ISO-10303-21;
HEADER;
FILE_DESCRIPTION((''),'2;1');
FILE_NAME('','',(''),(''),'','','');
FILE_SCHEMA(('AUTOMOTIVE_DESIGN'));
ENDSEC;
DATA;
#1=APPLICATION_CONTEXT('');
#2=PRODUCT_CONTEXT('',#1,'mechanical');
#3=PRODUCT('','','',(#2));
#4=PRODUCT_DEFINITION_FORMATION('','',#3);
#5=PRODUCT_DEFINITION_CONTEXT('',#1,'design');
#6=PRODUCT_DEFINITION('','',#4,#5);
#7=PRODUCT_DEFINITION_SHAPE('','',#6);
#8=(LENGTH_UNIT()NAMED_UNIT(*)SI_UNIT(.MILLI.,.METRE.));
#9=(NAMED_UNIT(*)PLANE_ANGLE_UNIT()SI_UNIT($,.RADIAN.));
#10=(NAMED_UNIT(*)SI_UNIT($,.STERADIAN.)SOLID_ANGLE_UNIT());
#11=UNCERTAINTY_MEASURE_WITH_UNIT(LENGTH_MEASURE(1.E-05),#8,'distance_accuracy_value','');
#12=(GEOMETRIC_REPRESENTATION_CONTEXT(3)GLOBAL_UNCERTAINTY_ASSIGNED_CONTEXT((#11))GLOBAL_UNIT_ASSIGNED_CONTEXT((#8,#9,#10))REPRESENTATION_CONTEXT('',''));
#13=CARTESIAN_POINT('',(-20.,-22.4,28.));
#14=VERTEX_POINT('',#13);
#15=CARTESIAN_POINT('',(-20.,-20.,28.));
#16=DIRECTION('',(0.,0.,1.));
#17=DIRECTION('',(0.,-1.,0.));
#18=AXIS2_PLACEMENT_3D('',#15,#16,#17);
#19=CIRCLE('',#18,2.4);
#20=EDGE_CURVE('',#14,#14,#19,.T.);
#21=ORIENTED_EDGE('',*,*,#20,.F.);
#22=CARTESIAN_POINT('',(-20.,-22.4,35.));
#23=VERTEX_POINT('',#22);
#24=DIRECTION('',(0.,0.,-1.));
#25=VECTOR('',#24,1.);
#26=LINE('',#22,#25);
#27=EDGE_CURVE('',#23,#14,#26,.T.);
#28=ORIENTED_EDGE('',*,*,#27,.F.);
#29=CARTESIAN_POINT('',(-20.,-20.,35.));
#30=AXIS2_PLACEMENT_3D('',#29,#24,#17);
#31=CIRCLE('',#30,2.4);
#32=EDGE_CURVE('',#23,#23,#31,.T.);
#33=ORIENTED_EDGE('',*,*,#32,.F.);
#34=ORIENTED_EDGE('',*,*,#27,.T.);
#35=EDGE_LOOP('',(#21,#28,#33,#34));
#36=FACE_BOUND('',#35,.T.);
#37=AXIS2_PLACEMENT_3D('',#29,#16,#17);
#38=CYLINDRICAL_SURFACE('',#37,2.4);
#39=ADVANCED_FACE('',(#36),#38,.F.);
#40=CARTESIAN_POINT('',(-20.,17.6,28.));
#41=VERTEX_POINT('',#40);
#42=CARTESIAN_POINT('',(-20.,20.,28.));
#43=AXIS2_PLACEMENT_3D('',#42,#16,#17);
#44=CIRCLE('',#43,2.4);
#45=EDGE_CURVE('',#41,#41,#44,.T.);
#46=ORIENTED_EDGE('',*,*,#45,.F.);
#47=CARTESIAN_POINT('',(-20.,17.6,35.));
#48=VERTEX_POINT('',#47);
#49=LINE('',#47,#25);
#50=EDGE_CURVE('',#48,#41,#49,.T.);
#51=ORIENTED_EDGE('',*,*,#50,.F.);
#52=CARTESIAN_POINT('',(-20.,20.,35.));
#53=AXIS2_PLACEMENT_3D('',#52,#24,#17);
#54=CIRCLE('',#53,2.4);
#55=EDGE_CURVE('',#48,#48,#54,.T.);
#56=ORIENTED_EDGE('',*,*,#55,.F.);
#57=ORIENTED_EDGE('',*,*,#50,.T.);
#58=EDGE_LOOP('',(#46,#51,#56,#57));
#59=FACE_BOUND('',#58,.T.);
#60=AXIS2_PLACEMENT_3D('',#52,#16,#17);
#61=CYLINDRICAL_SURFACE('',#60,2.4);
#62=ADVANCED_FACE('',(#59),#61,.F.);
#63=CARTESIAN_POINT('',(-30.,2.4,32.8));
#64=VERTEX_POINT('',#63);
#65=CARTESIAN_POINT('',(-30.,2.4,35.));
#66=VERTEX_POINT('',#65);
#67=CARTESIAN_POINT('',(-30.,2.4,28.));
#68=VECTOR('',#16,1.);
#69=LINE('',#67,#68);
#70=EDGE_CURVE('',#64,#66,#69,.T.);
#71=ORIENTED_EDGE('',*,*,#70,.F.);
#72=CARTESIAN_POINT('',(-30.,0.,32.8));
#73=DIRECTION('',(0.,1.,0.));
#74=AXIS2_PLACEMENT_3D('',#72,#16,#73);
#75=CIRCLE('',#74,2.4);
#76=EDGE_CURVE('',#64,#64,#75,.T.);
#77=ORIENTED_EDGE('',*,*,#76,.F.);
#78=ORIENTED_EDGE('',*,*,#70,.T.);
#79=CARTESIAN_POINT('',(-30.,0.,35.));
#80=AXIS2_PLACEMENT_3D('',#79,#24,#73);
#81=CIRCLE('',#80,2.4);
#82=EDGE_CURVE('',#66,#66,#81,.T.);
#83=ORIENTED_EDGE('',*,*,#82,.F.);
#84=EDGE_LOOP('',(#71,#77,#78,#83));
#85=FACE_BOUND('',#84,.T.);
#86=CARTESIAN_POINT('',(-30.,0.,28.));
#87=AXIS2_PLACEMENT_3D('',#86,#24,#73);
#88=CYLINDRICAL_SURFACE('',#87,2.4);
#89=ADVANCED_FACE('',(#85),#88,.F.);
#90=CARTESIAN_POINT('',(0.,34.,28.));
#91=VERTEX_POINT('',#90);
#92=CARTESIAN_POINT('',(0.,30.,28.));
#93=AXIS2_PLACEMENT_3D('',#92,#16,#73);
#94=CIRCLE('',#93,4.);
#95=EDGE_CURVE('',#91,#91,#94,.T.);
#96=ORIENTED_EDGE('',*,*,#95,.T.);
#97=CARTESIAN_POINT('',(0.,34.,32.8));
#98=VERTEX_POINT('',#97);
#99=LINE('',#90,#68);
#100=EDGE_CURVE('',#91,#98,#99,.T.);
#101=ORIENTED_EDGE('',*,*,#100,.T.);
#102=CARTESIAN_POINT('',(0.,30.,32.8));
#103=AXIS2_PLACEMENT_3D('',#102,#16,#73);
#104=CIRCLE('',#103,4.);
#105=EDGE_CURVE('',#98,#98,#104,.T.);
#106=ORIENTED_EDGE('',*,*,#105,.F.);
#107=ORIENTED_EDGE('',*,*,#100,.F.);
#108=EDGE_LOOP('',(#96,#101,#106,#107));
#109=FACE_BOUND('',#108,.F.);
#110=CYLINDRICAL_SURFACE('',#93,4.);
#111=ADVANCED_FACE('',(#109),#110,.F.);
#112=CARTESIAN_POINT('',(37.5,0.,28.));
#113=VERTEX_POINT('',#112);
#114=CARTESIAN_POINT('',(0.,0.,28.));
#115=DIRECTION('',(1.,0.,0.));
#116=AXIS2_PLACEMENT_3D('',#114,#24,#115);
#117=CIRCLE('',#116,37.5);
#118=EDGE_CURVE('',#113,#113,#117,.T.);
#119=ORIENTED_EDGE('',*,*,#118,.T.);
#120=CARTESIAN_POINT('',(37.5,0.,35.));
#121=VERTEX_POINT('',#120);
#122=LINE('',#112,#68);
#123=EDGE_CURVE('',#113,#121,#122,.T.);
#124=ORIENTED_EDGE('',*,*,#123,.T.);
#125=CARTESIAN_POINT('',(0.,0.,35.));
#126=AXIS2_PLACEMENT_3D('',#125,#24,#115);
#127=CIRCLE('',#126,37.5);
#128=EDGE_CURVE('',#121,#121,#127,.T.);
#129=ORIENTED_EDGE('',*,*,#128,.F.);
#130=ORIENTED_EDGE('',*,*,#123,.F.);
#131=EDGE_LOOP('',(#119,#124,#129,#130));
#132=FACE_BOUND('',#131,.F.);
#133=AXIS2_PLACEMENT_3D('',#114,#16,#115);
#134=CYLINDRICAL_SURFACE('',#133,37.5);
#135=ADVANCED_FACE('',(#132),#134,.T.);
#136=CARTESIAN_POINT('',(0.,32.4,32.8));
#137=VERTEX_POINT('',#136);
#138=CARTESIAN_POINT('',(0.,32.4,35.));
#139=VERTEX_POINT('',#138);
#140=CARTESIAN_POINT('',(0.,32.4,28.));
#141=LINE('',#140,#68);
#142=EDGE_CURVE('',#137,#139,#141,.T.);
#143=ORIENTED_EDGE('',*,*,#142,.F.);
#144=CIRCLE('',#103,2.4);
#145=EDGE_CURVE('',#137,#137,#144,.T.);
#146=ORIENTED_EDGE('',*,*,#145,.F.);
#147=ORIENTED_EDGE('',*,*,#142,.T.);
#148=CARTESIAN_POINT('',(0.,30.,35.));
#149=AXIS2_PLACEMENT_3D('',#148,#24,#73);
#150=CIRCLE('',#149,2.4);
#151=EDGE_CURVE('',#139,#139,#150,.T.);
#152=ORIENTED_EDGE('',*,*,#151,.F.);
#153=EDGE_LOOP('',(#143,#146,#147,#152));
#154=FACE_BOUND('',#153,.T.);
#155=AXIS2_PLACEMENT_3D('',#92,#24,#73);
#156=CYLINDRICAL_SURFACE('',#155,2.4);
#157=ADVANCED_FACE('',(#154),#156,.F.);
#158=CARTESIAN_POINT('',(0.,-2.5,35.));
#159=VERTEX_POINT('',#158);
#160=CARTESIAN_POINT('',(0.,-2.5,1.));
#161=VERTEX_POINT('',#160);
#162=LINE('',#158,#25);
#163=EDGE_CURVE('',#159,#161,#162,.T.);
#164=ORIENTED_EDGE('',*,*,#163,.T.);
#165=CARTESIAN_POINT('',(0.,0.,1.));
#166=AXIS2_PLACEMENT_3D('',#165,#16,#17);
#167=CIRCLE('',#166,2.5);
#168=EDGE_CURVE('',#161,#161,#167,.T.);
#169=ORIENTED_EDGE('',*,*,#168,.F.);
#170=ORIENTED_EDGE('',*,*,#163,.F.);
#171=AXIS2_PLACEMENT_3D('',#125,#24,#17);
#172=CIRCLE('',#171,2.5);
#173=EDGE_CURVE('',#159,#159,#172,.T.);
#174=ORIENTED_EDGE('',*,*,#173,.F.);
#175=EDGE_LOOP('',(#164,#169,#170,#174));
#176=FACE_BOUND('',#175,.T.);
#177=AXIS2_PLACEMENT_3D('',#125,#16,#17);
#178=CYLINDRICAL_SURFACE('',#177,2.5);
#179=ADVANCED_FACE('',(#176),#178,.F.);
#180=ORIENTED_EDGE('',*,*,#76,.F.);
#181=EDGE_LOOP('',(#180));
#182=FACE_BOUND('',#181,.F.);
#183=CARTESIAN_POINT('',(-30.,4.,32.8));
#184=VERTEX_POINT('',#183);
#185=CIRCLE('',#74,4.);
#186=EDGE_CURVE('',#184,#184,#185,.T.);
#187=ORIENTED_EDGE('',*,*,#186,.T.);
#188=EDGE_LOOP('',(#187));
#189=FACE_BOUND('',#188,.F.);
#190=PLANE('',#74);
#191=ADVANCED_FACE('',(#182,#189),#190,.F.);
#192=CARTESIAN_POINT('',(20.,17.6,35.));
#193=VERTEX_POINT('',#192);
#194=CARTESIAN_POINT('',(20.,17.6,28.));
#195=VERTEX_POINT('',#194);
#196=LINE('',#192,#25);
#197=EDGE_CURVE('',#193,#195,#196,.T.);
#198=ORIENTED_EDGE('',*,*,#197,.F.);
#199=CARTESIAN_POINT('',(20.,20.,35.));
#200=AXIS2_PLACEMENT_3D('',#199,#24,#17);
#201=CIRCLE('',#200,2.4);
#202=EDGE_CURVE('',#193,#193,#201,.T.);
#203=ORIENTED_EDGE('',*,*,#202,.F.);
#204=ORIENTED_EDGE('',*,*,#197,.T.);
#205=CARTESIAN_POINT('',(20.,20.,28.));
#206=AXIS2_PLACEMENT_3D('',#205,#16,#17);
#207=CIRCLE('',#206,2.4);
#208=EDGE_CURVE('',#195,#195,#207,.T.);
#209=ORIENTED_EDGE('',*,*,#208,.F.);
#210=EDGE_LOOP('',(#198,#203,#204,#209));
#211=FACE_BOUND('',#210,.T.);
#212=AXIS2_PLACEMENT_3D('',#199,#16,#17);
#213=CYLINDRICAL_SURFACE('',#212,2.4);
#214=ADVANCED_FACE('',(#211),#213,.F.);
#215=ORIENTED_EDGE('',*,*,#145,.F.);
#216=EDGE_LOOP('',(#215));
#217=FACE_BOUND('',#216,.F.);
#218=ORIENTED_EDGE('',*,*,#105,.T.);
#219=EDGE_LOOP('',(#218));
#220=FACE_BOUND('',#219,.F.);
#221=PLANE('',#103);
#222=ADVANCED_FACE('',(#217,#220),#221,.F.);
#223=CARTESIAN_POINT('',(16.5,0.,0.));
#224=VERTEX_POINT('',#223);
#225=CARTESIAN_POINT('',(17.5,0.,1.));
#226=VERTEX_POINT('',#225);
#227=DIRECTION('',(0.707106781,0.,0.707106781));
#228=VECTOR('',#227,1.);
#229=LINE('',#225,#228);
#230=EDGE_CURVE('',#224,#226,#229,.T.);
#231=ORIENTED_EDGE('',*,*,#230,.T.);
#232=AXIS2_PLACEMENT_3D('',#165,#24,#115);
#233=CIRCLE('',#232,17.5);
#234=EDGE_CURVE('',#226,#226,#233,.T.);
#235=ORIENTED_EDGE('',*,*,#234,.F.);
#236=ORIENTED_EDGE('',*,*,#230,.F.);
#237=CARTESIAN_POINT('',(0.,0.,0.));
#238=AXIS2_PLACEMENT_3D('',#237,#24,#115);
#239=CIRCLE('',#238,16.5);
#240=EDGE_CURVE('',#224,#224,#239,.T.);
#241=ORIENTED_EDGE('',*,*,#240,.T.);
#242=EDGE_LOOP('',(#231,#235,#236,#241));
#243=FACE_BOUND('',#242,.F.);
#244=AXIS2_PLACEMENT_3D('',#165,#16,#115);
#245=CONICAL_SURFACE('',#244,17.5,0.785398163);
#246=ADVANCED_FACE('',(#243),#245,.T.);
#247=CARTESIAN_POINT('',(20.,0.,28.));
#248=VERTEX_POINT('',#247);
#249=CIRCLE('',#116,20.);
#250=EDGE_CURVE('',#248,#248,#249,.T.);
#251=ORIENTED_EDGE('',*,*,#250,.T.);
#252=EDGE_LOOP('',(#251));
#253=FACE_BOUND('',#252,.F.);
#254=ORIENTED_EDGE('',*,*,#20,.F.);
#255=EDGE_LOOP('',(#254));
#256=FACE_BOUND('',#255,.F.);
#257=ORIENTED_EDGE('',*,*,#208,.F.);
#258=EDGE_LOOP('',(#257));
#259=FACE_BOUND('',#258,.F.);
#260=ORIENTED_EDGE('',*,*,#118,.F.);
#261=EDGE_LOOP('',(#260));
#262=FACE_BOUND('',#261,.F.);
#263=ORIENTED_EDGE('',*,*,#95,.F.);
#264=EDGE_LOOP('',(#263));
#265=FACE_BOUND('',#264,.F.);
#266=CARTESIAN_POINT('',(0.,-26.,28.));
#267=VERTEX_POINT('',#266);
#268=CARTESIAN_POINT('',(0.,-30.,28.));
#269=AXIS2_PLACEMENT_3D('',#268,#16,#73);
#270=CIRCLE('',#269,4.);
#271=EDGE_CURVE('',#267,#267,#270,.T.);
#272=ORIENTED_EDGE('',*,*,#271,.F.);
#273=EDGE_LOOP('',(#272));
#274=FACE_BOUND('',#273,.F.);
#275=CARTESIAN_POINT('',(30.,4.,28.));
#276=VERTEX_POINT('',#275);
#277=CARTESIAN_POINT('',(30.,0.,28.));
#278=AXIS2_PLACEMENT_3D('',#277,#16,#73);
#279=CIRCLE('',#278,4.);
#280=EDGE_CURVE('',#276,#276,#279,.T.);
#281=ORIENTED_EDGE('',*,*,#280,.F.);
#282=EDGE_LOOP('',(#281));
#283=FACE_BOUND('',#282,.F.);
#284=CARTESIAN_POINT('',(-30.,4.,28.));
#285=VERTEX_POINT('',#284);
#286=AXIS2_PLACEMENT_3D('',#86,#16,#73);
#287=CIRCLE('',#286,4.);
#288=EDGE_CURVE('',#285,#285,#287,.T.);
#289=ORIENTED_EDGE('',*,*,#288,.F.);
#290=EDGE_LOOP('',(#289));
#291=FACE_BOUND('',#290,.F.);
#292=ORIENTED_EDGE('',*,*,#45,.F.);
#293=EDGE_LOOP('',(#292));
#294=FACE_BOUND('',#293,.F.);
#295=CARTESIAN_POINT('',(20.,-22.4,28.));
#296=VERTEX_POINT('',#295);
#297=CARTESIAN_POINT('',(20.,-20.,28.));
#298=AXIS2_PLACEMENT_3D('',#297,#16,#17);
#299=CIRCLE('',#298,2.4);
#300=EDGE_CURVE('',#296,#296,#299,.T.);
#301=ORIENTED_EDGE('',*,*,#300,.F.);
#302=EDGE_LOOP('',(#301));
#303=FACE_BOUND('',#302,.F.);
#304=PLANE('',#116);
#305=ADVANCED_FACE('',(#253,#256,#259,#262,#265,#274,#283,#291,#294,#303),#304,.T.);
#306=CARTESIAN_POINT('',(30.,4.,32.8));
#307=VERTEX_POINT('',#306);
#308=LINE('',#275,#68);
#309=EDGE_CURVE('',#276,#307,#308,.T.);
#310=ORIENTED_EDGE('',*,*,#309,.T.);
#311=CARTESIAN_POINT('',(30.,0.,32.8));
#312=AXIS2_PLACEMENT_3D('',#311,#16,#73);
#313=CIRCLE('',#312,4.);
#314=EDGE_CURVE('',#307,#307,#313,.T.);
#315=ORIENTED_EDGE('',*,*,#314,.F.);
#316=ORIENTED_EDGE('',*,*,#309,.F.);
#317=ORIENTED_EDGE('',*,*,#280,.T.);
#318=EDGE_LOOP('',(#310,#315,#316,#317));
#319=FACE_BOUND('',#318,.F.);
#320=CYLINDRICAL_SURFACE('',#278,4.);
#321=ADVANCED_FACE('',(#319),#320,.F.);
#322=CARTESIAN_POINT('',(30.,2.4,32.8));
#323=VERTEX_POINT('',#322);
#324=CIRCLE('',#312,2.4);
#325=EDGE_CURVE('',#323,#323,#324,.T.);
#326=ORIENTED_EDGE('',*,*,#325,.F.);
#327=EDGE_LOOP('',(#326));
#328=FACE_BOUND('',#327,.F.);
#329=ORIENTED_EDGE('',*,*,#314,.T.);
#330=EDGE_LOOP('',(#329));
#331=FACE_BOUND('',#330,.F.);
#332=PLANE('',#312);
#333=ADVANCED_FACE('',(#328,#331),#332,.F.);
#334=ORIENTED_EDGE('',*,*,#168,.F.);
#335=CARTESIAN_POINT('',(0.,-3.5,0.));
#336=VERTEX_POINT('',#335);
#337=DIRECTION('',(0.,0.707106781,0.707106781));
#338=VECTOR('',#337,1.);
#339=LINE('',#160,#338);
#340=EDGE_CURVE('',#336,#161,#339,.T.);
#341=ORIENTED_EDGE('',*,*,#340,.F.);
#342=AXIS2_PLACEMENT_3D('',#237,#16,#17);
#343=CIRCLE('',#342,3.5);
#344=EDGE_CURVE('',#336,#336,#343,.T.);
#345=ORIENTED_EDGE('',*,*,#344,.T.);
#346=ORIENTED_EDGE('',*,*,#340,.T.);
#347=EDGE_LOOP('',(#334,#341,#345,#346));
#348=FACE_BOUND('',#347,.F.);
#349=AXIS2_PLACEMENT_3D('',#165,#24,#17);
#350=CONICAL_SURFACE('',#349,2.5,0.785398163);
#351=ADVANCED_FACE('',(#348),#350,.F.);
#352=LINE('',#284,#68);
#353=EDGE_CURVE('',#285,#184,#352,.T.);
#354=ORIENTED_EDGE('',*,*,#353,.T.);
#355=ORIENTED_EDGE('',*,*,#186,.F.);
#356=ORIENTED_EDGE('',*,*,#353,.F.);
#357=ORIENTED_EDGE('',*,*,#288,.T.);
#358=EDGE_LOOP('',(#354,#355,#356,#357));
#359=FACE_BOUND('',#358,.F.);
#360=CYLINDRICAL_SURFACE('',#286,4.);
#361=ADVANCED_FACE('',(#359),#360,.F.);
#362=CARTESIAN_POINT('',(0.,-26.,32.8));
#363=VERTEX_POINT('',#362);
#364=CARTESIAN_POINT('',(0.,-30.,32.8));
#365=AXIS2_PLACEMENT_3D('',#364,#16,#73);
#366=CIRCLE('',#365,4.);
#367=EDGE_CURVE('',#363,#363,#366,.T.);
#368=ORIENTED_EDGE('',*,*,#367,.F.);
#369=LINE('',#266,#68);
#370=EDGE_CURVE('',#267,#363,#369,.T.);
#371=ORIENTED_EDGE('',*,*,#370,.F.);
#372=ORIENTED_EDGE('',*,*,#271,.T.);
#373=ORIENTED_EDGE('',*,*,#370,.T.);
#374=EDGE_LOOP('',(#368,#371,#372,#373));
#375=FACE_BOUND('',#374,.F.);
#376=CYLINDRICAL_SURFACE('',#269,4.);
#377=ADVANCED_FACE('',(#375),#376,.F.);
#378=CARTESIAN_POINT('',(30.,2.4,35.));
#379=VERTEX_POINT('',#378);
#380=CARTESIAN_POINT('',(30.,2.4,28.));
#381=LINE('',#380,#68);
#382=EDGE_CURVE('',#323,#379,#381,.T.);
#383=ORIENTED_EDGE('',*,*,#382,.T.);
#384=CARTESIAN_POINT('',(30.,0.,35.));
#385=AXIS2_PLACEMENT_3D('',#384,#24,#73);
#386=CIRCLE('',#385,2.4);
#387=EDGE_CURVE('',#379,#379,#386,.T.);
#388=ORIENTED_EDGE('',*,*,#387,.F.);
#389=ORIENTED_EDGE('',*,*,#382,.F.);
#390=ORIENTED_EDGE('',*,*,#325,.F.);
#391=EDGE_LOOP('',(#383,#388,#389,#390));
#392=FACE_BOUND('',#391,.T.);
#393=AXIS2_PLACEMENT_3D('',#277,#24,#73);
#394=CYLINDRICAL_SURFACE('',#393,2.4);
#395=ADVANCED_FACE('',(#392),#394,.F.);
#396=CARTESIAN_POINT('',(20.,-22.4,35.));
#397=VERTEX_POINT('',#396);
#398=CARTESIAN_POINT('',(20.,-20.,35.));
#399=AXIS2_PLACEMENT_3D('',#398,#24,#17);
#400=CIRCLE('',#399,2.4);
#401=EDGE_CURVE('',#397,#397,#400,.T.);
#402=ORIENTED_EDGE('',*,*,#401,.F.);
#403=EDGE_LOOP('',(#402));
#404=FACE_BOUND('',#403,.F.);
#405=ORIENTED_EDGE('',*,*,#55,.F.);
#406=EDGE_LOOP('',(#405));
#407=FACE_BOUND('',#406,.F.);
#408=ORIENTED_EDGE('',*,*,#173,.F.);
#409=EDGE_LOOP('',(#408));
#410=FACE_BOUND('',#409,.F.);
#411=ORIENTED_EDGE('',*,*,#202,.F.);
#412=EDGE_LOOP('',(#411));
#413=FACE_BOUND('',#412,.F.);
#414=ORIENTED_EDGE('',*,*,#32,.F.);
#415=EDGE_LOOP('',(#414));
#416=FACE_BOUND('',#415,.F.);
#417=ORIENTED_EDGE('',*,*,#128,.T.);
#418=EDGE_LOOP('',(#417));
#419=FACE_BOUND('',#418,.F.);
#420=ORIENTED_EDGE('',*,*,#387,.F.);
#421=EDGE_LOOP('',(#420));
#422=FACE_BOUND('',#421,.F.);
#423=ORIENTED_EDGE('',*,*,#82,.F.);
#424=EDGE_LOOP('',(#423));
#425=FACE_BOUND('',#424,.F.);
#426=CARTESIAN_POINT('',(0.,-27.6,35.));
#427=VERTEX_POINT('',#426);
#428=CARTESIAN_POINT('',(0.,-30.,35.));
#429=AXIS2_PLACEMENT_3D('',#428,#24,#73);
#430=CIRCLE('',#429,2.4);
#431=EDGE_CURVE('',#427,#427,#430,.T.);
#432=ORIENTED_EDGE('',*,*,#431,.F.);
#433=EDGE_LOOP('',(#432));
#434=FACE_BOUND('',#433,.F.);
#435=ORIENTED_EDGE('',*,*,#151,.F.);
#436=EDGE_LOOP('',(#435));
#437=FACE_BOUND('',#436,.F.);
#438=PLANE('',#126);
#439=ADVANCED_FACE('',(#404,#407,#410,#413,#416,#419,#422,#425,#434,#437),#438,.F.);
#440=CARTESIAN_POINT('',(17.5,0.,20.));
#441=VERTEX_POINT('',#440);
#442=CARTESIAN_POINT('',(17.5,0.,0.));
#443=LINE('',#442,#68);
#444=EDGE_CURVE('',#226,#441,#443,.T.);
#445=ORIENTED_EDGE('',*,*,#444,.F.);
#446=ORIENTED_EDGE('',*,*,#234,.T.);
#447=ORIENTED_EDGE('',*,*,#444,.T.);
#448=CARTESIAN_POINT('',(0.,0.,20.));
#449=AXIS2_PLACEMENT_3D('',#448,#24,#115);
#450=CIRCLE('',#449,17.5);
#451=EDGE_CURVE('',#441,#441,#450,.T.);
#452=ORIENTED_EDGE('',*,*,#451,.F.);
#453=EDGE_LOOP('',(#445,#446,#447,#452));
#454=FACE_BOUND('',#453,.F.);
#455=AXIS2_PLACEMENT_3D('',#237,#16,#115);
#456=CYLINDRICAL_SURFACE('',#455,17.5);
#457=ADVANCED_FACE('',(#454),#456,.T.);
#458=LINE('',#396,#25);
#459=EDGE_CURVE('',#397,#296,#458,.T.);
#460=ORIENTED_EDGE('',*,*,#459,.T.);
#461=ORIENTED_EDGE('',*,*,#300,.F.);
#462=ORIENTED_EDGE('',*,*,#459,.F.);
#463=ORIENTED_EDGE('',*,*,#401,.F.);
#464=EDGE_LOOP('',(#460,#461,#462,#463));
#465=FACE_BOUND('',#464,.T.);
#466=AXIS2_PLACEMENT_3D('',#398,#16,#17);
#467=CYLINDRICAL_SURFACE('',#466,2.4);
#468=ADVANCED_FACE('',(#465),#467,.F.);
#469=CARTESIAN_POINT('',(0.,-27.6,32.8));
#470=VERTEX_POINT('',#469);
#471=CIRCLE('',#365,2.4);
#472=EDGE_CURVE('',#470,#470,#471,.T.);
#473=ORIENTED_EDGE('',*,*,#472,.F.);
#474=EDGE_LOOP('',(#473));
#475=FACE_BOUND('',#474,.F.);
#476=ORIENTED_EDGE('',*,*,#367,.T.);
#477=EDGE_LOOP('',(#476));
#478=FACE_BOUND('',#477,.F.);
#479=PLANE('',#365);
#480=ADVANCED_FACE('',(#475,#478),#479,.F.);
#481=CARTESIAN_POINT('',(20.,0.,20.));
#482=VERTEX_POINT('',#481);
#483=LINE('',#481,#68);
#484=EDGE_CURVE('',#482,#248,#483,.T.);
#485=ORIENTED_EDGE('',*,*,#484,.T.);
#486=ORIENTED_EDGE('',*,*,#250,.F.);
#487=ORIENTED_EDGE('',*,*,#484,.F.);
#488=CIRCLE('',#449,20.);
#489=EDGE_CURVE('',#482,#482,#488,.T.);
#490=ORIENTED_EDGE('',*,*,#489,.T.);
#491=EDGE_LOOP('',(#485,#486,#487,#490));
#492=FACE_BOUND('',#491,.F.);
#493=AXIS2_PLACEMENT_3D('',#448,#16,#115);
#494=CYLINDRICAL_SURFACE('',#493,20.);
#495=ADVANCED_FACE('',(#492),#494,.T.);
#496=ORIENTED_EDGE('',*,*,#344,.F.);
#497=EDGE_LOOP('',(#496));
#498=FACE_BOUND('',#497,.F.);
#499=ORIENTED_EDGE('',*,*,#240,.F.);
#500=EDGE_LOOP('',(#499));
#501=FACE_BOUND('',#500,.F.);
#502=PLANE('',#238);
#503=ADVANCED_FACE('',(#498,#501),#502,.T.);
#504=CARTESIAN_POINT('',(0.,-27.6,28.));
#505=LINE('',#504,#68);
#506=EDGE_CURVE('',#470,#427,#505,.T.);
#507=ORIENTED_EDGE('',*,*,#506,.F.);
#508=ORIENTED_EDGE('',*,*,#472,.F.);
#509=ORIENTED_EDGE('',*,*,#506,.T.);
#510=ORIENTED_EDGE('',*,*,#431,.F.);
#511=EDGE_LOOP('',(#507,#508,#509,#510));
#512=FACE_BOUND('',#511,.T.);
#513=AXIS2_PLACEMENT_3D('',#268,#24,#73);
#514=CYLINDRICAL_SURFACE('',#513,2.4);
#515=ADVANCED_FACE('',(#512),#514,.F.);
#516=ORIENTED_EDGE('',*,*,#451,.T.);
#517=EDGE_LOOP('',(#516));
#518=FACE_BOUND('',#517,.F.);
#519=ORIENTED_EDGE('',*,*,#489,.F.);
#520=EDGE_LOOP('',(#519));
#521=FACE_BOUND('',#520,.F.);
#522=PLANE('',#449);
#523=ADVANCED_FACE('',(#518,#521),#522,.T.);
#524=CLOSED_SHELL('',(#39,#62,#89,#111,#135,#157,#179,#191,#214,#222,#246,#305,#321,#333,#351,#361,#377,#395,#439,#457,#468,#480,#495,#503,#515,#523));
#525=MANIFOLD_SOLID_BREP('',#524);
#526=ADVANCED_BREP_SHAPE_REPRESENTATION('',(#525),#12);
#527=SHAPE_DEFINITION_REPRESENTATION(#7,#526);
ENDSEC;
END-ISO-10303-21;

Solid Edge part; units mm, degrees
sketch "Sketch1" plane through (0, 0, 0) normal (0, -1, 0) x (1, 0, 0)
  line L0 (0, 0) -> (17.5, 0)
  line L1 (17.5, 0) -> (17.5, 20)
  line L2 (17.5, 20) -> (20, 20)
  line L3 (20, 20) -> (20, 28)
  line L4 (20, 28) -> (37.5, 28)
  line L5 (37.5, 28) -> (37.5, 35)
  line L6 (37.5, 35) -> (0, 35)
  dimension "D1" = 20
  dimension "D2" = 7
  dimension "D3" = 8
revolve "RevolvedProtrusion1" add sketch "Sketch1" angle 360 about axis through (0, 0, 35) along (0, 0, -1)
chamfer "Chamfer1" distance 1 angle 45 1 edges at (-17.5, 0, 0)
hole "Hole_1" at (0, 0, 35) direction (0, 0, -1) diameter 5 end up to next
chamfer "Chamfer_2" distance 1 angle 45 1 edges at (-2.5, 0, 0)
hole "Hole_2" at (20, 20, 35) direction (0, 0, -1) diameter 4.8 end up to next
hole "Hole1" at (20, -20, 35) direction (0, 0, -1) diameter 4.8 end up to next
hole "Hole2" at (-20, -20, 35) direction (0, 0, -1) diameter 4.8 end up to next
hole "Hole3" at (-20, 20, 35) direction (0, 0, -1) diameter 4.8 end up to next
hole "Hole_6" at (0, -30, 28) direction (0, 0, 1) diameter 4.8 end up to next counterbore diameter 8 counterbore depth 4.8
hole "Hole4" at (30, 0, 28) direction (0, 0, 1) diameter 4.8 end up to next counterbore diameter 8 counterbore depth 4.8
hole "Hole5" at (0, 30, 28) direction (0, 0, 1) diameter 4.8 end up to next counterbore diameter 8 counterbore depth 4.8
hole "Hole6" at (-30, 0, 28) direction (0, 0, 1) diameter 4.8 end up to next counterbore diameter 8 counterbore depth 4.8
properties material "Polyethylene, low density"
